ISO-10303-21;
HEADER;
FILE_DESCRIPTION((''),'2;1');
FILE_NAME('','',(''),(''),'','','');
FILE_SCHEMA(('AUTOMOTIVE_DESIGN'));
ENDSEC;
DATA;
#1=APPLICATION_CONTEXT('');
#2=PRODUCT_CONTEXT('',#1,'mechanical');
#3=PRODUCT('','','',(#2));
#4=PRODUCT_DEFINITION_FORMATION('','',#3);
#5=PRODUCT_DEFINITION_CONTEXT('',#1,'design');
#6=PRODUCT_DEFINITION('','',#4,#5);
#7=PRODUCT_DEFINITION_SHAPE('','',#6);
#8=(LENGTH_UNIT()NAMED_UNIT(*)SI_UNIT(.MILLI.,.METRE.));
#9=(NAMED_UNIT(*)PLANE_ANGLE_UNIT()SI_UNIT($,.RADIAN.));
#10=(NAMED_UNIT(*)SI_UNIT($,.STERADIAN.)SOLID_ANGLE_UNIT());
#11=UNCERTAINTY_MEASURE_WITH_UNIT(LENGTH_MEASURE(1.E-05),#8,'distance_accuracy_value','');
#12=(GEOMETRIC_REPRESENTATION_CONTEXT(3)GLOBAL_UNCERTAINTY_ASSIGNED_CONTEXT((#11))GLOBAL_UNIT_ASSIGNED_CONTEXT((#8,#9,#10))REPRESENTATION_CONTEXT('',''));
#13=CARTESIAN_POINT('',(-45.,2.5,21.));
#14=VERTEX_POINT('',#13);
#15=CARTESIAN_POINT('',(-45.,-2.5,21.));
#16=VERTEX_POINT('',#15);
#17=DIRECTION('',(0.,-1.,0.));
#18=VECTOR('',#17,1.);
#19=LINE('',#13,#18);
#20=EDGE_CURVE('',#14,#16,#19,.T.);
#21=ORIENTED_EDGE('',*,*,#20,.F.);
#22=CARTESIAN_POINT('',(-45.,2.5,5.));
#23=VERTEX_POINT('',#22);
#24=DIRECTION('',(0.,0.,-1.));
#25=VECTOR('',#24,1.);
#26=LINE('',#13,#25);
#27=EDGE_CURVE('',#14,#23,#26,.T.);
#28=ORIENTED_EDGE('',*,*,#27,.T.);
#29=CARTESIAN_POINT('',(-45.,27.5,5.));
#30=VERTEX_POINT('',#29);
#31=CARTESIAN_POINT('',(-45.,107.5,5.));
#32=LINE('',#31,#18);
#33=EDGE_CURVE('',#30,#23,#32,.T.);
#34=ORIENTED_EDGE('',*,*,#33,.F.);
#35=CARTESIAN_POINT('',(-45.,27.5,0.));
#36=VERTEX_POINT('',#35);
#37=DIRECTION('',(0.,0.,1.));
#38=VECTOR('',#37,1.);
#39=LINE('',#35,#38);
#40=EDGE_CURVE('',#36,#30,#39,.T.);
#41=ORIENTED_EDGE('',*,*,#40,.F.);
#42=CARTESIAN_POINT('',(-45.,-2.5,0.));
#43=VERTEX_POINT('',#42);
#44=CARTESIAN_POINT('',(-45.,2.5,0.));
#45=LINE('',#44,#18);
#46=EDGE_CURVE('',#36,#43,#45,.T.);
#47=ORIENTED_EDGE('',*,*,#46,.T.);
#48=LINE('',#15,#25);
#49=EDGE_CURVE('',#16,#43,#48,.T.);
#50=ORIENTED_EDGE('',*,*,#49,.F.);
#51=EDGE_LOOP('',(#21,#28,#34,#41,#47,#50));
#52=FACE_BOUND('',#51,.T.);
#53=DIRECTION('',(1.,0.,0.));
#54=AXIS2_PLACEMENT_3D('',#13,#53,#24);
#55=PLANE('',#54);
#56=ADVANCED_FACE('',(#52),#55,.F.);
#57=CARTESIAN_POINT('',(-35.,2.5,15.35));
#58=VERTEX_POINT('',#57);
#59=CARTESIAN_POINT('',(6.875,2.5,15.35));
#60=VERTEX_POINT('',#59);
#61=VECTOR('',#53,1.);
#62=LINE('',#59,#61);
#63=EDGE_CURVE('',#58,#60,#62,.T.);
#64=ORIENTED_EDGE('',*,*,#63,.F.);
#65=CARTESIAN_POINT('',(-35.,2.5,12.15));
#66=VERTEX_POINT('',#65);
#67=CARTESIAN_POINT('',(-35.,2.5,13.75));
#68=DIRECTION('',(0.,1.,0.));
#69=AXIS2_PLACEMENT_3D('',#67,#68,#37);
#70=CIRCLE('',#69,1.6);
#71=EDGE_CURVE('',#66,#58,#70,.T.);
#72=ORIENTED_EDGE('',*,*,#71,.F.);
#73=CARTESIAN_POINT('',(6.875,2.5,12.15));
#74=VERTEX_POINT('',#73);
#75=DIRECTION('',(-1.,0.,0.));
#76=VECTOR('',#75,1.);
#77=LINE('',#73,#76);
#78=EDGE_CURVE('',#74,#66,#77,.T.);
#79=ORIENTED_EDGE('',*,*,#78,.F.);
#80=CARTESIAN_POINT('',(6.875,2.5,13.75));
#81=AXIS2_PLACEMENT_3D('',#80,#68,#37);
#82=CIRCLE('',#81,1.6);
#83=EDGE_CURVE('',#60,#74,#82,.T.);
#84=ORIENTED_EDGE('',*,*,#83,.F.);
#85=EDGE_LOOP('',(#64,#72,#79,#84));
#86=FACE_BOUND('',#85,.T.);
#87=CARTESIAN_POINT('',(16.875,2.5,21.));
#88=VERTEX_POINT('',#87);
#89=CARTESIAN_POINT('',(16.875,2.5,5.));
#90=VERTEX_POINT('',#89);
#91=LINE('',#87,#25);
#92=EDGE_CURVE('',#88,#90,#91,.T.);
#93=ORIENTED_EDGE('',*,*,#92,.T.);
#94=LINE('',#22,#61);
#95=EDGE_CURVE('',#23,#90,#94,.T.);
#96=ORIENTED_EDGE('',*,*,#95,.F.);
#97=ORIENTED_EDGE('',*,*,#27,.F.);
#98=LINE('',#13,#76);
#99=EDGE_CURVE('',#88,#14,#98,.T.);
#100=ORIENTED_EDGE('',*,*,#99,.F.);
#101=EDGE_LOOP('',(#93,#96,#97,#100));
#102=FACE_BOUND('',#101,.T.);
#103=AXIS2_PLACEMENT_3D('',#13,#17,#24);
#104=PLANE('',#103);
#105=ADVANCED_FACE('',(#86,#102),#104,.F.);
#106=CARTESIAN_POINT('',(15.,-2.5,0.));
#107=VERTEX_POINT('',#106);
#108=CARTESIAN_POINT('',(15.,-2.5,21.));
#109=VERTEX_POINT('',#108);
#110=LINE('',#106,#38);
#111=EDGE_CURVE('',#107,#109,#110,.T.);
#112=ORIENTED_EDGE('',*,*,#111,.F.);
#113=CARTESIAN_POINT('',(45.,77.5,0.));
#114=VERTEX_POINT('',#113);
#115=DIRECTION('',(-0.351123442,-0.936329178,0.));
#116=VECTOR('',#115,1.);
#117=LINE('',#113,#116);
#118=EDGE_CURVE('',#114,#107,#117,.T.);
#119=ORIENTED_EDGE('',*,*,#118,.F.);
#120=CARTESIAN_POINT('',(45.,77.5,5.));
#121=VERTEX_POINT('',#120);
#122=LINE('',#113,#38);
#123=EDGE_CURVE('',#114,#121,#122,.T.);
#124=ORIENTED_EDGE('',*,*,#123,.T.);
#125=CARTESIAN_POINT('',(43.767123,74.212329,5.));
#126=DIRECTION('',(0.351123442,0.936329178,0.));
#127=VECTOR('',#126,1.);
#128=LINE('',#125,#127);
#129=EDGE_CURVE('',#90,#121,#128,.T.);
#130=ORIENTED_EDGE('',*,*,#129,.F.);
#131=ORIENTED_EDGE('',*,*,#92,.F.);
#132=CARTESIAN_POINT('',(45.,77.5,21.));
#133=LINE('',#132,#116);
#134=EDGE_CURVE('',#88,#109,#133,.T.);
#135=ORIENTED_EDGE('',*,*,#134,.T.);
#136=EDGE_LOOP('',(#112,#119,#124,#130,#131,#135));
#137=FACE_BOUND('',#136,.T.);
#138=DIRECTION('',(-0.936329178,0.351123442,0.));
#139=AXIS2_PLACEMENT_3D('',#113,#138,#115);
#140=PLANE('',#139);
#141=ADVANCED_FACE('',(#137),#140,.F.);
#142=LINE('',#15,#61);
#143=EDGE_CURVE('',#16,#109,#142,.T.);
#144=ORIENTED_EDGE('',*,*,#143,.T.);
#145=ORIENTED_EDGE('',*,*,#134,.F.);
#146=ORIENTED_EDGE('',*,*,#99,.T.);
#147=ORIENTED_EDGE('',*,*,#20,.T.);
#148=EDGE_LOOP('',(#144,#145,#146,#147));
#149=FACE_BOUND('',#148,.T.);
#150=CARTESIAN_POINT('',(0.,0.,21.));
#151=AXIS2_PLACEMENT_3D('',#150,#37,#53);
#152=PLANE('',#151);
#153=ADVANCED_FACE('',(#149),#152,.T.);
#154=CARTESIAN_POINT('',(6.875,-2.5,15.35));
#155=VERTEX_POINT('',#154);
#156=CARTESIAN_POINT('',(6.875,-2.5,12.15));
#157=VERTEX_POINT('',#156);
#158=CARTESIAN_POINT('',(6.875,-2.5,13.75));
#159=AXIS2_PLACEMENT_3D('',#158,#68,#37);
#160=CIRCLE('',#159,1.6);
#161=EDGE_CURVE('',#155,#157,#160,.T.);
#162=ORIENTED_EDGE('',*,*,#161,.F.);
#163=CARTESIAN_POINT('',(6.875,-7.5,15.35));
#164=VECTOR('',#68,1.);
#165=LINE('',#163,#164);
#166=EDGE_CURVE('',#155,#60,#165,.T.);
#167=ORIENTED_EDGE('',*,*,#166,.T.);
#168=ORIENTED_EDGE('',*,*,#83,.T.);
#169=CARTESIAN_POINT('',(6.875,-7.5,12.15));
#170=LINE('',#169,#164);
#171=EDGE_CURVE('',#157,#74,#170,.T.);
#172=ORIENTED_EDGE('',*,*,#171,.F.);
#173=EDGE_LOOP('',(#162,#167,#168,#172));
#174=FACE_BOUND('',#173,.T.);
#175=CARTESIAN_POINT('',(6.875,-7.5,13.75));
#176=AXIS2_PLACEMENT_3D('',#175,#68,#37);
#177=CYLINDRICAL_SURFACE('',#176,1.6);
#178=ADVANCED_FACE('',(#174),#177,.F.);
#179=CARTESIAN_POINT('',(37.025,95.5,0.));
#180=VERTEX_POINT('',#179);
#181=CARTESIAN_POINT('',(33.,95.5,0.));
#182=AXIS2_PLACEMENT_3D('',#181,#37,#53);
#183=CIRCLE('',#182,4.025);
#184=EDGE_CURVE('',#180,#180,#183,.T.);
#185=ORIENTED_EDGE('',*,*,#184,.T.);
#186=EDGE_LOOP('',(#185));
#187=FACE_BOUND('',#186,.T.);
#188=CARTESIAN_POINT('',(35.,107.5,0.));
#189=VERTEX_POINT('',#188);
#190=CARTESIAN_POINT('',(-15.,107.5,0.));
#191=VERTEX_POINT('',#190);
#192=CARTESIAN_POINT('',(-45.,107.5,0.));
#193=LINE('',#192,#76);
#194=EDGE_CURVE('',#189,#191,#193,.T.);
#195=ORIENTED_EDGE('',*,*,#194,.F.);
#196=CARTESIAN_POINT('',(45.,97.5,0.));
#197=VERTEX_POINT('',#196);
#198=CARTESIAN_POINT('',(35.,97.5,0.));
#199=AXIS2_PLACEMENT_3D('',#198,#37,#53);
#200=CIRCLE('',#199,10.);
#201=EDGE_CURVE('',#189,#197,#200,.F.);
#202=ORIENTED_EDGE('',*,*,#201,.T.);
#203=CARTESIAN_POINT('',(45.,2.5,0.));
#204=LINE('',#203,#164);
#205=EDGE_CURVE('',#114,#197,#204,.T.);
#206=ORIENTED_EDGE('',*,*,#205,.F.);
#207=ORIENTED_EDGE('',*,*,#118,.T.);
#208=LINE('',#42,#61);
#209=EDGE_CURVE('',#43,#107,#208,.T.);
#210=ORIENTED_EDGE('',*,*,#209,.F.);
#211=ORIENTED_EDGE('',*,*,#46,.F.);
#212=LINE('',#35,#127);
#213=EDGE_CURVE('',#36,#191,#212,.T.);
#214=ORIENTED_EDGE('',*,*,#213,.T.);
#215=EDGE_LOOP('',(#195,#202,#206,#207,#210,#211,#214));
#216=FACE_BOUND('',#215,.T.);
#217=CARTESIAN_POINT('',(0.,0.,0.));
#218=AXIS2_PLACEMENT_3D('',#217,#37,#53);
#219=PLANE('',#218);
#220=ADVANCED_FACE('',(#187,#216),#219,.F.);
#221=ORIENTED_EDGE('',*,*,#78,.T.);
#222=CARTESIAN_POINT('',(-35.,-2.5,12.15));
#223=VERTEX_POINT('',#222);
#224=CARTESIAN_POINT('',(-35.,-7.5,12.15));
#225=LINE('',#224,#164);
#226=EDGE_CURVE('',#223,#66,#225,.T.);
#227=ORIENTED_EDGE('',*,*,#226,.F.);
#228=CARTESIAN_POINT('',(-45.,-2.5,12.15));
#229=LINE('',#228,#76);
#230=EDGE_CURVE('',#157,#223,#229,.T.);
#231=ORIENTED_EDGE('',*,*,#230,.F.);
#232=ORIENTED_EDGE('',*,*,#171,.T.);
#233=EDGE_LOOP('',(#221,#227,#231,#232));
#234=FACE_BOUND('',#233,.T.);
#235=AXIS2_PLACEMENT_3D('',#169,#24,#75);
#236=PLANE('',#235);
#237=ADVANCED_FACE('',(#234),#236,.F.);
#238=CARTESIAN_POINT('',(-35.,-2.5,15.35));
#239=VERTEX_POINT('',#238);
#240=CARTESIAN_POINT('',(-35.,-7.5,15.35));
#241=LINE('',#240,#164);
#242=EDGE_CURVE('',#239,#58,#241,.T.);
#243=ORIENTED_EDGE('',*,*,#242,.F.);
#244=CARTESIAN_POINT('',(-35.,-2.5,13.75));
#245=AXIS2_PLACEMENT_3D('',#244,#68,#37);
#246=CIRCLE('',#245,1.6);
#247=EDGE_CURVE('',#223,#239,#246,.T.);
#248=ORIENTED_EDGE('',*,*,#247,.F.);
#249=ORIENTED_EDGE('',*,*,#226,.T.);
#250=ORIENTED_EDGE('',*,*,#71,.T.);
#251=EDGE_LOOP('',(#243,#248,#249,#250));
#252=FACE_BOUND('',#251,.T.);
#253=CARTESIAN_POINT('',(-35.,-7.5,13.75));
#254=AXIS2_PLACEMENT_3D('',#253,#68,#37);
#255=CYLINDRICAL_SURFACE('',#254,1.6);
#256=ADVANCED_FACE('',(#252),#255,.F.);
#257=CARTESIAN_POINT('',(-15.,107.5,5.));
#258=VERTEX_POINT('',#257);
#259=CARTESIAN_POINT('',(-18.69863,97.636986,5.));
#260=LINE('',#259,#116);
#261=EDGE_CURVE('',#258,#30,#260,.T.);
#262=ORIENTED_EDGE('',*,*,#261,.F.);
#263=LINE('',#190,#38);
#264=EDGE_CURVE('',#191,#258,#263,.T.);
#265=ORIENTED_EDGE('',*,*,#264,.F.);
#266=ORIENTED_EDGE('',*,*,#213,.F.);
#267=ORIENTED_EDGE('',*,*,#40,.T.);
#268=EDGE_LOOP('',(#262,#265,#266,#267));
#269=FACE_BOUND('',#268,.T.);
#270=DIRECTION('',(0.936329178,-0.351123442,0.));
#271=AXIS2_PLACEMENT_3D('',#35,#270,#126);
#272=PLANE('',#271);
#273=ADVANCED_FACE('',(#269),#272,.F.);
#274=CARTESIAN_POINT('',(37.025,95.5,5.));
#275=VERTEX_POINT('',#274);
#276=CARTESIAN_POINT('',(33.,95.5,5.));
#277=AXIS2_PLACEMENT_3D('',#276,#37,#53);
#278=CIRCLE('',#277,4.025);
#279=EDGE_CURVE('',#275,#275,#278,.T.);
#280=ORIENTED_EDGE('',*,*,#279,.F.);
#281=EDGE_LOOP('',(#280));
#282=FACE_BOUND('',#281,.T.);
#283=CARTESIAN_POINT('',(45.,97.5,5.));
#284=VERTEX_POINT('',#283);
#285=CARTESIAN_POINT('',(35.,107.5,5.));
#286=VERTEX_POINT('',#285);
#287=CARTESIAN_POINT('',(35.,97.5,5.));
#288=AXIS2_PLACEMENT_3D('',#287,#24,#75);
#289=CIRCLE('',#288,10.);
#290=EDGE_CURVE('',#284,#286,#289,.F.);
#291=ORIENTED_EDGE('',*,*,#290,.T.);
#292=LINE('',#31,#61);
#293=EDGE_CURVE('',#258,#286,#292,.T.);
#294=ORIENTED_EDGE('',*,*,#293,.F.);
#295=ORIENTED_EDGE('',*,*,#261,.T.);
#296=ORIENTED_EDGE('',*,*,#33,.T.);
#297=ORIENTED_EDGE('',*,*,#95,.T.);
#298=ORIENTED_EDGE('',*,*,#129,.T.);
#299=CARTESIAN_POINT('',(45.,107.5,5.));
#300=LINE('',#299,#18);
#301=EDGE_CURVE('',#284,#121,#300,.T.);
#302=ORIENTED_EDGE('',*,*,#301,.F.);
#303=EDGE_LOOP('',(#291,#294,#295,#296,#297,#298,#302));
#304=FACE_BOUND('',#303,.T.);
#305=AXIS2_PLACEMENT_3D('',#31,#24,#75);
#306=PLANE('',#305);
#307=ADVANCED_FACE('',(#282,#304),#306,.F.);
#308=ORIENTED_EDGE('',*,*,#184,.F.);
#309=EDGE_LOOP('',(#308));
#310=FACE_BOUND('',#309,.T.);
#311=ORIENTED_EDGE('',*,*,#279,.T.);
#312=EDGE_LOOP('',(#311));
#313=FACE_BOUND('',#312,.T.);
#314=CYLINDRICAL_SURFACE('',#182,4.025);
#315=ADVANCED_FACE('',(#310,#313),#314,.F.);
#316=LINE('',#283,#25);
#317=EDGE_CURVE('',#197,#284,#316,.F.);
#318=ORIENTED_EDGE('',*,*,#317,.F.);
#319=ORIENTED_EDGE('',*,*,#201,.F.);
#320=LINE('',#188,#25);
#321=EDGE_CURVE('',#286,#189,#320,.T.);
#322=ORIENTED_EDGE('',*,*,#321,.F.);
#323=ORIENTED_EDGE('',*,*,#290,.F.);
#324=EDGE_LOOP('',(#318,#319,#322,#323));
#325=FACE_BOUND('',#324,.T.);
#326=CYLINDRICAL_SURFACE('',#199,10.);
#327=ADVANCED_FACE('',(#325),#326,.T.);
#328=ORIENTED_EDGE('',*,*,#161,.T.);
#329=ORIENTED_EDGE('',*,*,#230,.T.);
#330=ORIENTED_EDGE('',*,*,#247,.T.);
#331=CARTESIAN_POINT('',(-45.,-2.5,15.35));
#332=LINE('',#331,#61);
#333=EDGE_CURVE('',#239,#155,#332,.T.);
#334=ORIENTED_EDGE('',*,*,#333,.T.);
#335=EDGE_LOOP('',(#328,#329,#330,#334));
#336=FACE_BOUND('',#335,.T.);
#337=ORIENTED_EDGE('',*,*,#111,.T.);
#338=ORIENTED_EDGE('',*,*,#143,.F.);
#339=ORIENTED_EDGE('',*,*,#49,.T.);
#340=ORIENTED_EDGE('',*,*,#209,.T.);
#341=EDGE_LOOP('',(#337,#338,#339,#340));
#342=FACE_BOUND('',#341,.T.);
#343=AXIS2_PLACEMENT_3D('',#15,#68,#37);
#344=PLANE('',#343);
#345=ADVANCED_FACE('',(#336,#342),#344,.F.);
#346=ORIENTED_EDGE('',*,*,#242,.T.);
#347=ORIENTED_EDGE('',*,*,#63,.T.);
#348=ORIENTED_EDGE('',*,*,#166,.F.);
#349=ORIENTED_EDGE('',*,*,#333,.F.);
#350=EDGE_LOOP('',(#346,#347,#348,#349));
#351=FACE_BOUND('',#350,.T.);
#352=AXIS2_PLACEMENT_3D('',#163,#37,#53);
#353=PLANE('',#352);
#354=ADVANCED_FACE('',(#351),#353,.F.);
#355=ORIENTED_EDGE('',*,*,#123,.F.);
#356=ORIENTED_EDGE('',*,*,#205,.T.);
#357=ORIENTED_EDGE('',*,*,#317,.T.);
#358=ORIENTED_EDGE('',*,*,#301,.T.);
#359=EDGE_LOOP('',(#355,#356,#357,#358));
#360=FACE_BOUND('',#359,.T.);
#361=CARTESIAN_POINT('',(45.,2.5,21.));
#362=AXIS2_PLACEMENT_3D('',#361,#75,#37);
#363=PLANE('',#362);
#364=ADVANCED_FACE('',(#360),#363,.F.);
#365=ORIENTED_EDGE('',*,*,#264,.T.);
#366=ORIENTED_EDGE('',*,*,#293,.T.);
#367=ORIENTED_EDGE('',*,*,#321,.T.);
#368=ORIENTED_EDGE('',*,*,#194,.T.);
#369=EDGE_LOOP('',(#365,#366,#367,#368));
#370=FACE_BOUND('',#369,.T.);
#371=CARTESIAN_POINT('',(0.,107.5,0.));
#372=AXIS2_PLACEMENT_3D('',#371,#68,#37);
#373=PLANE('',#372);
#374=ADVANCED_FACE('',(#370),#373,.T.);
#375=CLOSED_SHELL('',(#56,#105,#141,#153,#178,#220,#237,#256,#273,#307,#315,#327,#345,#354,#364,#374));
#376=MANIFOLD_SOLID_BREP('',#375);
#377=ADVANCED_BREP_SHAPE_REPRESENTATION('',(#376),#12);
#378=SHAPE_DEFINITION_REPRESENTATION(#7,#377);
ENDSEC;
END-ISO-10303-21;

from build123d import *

# Parameters (mm, degrees)
SKETCH2_W           = 90
SKETCH2_H           = 5
BOSS_EXTRUDE1_DEPTH = 21
SKETCH3_W           = 90
SKETCH3_H           = 5
BOSS_EXTRUDE2_DEPTH = 105
FILLET1_R           = 10
SKETCH4_R           = 4.025
CUT_EXTRUDE1_DEPTH  = 118.631840928
CUT_EXTRUDE2_DEPTH  = 119.415581745
CUT_EXTRUDE3_DEPTH  = 10


with BuildPart() as part:
    # Sketch2 → Boss-Extrude1 (new body)
    with BuildSketch(Plane.XY):
        Rectangle(SKETCH2_W, SKETCH2_H)
    extrude(amount=BOSS_EXTRUDE1_DEPTH)

    # Sketch3 → Boss-Extrude2 (add)
    with BuildSketch(Plane(origin=(0, 2.5, 0), x_dir=(1, 0, 0), z_dir=(0, 1, 0))):
        with Locations((0, -2.5)):
            Rectangle(SKETCH3_W, SKETCH3_H)
    extrude(amount=BOSS_EXTRUDE2_DEPTH)

    # Fillet1
    fillet1_edges = [part.edges().sort_by_distance(p)[0] for p in [
        (45, 107.5, 2.5),
    ]]
    fillet(fillet1_edges, radius=FILLET1_R)

    # Sketch4 → Cut-Extrude1 (cut, through all)
    with BuildSketch(Plane.XY.offset(5)):
        with Locations((33, 95.5)):
            Circle(SKETCH4_R)
    extrude(amount=-CUT_EXTRUDE1_DEPTH, mode=Mode.SUBTRACT)

    # Sketch6 → Cut-Extrude2 (cut, through all)
    with BuildSketch(Plane.XY.offset(21)):
        Polygon((45, 77.5), (15, -2.5), (45, -2.5), align=None)
        Polygon((-45, 27.5), (-15, 107.5), (-45, 107.5), align=None)
    extrude(amount=-CUT_EXTRUDE2_DEPTH, mode=Mode.SUBTRACT)

    # Sketch7 → Cut-Extrude3 (cut)
    with BuildSketch(Plane(origin=(0, 2.5, 0), x_dir=(1, 0, 0), z_dir=(0, 1, 0))):
        with BuildLine():
            Line((6.875, -15.35), (-35, -15.35))
            ThreePointArc((-35, -15.35), (-36.6, -13.75), (-35, -12.15))
            Line((-35, -12.15), (6.875, -12.15))
            ThreePointArc((6.875, -12.15), (8.475, -13.75), (6.875, -15.35))
        make_face()
    extrude(amount=-CUT_EXTRUDE3_DEPTH, mode=Mode.SUBTRACT)


solid = part.part
